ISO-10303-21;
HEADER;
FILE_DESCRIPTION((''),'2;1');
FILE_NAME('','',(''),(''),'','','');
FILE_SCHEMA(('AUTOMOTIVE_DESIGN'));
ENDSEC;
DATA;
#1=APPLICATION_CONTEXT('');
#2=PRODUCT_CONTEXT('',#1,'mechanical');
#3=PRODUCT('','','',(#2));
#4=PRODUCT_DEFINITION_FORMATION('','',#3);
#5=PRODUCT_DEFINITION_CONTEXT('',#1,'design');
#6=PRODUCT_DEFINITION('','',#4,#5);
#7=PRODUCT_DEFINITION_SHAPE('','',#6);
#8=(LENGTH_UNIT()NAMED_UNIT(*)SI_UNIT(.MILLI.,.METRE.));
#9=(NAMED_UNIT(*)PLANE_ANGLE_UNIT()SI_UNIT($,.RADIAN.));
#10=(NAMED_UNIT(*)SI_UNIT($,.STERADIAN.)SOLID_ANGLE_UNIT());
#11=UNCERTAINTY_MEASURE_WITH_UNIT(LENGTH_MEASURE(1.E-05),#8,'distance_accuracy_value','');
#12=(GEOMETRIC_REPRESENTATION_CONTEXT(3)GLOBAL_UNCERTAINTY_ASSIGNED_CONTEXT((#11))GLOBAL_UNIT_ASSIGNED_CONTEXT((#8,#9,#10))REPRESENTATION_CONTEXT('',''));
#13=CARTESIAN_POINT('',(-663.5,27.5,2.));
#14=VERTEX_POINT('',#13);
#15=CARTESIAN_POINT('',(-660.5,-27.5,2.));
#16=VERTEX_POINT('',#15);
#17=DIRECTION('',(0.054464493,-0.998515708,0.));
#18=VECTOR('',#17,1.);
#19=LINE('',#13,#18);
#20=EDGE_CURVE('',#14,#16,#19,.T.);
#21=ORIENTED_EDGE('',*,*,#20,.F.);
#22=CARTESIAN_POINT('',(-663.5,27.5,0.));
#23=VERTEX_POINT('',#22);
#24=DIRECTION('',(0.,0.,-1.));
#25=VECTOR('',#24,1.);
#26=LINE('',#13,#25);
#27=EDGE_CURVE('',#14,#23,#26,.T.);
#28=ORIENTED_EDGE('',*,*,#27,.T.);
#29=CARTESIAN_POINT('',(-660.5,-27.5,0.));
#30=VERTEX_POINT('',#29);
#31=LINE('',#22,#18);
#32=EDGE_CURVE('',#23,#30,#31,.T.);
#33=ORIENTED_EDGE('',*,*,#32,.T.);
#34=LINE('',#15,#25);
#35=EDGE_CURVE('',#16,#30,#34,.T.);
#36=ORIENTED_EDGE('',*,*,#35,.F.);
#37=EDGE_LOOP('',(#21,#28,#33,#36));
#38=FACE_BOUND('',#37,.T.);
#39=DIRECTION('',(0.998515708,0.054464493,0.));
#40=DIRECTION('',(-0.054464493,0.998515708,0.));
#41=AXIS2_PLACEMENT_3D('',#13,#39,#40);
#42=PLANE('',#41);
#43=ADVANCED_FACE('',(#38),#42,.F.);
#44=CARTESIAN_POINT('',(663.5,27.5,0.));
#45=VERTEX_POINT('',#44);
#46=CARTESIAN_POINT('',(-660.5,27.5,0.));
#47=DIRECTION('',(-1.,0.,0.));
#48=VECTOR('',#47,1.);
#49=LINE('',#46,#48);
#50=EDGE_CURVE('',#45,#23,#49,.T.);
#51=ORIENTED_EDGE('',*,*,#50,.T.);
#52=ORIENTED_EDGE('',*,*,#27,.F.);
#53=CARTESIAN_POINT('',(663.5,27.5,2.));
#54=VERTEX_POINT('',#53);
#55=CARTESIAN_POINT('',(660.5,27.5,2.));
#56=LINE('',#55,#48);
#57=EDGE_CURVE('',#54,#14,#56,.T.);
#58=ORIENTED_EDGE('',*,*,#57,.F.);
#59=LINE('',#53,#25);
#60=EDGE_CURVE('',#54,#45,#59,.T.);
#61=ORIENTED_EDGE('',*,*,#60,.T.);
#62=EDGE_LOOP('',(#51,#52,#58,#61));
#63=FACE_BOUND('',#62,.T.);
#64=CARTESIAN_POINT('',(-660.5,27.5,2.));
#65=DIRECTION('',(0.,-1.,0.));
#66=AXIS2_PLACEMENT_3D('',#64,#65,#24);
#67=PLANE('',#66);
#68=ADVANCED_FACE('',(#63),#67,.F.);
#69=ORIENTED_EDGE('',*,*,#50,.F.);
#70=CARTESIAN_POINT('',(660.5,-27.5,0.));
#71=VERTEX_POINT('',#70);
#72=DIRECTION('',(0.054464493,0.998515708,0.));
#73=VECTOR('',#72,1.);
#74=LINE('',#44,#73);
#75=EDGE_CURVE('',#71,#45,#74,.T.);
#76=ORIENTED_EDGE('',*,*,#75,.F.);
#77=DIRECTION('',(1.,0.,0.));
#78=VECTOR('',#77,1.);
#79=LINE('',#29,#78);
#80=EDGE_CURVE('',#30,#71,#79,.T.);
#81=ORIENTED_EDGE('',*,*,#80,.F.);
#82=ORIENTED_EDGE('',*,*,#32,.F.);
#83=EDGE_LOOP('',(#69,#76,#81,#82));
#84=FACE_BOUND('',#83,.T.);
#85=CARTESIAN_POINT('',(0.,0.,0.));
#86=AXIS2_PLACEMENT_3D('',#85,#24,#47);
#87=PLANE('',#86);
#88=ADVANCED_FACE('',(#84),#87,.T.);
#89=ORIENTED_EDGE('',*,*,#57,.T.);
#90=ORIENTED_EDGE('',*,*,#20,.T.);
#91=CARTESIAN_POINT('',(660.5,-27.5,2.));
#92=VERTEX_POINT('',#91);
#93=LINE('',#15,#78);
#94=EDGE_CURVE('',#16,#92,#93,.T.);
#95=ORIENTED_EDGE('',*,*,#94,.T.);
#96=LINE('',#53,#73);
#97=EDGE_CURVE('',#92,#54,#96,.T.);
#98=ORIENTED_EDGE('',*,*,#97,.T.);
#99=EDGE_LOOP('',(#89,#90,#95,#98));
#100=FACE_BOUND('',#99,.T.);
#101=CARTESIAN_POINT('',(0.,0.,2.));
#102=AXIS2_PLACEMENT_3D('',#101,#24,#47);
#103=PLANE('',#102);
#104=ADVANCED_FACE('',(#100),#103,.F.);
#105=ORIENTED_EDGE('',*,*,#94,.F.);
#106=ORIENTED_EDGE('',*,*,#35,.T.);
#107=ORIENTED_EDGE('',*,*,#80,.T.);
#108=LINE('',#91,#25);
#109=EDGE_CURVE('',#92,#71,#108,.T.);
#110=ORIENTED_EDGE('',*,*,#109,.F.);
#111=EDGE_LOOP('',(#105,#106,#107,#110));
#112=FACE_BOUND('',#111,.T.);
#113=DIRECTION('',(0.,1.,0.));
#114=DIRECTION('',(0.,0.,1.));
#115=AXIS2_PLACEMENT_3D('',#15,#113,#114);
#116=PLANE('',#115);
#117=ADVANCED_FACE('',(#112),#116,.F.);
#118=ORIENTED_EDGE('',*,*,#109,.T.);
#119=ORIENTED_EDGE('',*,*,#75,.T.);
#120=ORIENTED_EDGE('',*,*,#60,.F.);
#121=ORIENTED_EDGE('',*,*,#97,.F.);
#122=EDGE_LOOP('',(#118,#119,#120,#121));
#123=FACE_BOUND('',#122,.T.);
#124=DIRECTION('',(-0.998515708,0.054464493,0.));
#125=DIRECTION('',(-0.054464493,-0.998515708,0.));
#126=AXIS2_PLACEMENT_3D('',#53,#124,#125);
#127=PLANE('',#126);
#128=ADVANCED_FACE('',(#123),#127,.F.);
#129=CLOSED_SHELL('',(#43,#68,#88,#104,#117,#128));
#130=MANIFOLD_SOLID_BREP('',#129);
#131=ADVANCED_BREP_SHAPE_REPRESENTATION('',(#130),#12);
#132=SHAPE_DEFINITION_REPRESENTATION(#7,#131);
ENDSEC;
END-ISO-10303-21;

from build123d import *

# Parameters (mm, degrees)
BOSS_EXTRUDE1_DEPTH = 2


with BuildPart() as part:
    # Sketch1 → Boss-Extrude1 (new body)
    with BuildSketch(Plane.XY):
        Polygon((-660.5, 27.5), (-663.5, 27.5), (-660.5, -27.5), (660.5, -27.5), (663.5, 27.5), (660.5, 27.5), align=None)
    extrude(amount=BOSS_EXTRUDE1_DEPTH)


solid = part.part
